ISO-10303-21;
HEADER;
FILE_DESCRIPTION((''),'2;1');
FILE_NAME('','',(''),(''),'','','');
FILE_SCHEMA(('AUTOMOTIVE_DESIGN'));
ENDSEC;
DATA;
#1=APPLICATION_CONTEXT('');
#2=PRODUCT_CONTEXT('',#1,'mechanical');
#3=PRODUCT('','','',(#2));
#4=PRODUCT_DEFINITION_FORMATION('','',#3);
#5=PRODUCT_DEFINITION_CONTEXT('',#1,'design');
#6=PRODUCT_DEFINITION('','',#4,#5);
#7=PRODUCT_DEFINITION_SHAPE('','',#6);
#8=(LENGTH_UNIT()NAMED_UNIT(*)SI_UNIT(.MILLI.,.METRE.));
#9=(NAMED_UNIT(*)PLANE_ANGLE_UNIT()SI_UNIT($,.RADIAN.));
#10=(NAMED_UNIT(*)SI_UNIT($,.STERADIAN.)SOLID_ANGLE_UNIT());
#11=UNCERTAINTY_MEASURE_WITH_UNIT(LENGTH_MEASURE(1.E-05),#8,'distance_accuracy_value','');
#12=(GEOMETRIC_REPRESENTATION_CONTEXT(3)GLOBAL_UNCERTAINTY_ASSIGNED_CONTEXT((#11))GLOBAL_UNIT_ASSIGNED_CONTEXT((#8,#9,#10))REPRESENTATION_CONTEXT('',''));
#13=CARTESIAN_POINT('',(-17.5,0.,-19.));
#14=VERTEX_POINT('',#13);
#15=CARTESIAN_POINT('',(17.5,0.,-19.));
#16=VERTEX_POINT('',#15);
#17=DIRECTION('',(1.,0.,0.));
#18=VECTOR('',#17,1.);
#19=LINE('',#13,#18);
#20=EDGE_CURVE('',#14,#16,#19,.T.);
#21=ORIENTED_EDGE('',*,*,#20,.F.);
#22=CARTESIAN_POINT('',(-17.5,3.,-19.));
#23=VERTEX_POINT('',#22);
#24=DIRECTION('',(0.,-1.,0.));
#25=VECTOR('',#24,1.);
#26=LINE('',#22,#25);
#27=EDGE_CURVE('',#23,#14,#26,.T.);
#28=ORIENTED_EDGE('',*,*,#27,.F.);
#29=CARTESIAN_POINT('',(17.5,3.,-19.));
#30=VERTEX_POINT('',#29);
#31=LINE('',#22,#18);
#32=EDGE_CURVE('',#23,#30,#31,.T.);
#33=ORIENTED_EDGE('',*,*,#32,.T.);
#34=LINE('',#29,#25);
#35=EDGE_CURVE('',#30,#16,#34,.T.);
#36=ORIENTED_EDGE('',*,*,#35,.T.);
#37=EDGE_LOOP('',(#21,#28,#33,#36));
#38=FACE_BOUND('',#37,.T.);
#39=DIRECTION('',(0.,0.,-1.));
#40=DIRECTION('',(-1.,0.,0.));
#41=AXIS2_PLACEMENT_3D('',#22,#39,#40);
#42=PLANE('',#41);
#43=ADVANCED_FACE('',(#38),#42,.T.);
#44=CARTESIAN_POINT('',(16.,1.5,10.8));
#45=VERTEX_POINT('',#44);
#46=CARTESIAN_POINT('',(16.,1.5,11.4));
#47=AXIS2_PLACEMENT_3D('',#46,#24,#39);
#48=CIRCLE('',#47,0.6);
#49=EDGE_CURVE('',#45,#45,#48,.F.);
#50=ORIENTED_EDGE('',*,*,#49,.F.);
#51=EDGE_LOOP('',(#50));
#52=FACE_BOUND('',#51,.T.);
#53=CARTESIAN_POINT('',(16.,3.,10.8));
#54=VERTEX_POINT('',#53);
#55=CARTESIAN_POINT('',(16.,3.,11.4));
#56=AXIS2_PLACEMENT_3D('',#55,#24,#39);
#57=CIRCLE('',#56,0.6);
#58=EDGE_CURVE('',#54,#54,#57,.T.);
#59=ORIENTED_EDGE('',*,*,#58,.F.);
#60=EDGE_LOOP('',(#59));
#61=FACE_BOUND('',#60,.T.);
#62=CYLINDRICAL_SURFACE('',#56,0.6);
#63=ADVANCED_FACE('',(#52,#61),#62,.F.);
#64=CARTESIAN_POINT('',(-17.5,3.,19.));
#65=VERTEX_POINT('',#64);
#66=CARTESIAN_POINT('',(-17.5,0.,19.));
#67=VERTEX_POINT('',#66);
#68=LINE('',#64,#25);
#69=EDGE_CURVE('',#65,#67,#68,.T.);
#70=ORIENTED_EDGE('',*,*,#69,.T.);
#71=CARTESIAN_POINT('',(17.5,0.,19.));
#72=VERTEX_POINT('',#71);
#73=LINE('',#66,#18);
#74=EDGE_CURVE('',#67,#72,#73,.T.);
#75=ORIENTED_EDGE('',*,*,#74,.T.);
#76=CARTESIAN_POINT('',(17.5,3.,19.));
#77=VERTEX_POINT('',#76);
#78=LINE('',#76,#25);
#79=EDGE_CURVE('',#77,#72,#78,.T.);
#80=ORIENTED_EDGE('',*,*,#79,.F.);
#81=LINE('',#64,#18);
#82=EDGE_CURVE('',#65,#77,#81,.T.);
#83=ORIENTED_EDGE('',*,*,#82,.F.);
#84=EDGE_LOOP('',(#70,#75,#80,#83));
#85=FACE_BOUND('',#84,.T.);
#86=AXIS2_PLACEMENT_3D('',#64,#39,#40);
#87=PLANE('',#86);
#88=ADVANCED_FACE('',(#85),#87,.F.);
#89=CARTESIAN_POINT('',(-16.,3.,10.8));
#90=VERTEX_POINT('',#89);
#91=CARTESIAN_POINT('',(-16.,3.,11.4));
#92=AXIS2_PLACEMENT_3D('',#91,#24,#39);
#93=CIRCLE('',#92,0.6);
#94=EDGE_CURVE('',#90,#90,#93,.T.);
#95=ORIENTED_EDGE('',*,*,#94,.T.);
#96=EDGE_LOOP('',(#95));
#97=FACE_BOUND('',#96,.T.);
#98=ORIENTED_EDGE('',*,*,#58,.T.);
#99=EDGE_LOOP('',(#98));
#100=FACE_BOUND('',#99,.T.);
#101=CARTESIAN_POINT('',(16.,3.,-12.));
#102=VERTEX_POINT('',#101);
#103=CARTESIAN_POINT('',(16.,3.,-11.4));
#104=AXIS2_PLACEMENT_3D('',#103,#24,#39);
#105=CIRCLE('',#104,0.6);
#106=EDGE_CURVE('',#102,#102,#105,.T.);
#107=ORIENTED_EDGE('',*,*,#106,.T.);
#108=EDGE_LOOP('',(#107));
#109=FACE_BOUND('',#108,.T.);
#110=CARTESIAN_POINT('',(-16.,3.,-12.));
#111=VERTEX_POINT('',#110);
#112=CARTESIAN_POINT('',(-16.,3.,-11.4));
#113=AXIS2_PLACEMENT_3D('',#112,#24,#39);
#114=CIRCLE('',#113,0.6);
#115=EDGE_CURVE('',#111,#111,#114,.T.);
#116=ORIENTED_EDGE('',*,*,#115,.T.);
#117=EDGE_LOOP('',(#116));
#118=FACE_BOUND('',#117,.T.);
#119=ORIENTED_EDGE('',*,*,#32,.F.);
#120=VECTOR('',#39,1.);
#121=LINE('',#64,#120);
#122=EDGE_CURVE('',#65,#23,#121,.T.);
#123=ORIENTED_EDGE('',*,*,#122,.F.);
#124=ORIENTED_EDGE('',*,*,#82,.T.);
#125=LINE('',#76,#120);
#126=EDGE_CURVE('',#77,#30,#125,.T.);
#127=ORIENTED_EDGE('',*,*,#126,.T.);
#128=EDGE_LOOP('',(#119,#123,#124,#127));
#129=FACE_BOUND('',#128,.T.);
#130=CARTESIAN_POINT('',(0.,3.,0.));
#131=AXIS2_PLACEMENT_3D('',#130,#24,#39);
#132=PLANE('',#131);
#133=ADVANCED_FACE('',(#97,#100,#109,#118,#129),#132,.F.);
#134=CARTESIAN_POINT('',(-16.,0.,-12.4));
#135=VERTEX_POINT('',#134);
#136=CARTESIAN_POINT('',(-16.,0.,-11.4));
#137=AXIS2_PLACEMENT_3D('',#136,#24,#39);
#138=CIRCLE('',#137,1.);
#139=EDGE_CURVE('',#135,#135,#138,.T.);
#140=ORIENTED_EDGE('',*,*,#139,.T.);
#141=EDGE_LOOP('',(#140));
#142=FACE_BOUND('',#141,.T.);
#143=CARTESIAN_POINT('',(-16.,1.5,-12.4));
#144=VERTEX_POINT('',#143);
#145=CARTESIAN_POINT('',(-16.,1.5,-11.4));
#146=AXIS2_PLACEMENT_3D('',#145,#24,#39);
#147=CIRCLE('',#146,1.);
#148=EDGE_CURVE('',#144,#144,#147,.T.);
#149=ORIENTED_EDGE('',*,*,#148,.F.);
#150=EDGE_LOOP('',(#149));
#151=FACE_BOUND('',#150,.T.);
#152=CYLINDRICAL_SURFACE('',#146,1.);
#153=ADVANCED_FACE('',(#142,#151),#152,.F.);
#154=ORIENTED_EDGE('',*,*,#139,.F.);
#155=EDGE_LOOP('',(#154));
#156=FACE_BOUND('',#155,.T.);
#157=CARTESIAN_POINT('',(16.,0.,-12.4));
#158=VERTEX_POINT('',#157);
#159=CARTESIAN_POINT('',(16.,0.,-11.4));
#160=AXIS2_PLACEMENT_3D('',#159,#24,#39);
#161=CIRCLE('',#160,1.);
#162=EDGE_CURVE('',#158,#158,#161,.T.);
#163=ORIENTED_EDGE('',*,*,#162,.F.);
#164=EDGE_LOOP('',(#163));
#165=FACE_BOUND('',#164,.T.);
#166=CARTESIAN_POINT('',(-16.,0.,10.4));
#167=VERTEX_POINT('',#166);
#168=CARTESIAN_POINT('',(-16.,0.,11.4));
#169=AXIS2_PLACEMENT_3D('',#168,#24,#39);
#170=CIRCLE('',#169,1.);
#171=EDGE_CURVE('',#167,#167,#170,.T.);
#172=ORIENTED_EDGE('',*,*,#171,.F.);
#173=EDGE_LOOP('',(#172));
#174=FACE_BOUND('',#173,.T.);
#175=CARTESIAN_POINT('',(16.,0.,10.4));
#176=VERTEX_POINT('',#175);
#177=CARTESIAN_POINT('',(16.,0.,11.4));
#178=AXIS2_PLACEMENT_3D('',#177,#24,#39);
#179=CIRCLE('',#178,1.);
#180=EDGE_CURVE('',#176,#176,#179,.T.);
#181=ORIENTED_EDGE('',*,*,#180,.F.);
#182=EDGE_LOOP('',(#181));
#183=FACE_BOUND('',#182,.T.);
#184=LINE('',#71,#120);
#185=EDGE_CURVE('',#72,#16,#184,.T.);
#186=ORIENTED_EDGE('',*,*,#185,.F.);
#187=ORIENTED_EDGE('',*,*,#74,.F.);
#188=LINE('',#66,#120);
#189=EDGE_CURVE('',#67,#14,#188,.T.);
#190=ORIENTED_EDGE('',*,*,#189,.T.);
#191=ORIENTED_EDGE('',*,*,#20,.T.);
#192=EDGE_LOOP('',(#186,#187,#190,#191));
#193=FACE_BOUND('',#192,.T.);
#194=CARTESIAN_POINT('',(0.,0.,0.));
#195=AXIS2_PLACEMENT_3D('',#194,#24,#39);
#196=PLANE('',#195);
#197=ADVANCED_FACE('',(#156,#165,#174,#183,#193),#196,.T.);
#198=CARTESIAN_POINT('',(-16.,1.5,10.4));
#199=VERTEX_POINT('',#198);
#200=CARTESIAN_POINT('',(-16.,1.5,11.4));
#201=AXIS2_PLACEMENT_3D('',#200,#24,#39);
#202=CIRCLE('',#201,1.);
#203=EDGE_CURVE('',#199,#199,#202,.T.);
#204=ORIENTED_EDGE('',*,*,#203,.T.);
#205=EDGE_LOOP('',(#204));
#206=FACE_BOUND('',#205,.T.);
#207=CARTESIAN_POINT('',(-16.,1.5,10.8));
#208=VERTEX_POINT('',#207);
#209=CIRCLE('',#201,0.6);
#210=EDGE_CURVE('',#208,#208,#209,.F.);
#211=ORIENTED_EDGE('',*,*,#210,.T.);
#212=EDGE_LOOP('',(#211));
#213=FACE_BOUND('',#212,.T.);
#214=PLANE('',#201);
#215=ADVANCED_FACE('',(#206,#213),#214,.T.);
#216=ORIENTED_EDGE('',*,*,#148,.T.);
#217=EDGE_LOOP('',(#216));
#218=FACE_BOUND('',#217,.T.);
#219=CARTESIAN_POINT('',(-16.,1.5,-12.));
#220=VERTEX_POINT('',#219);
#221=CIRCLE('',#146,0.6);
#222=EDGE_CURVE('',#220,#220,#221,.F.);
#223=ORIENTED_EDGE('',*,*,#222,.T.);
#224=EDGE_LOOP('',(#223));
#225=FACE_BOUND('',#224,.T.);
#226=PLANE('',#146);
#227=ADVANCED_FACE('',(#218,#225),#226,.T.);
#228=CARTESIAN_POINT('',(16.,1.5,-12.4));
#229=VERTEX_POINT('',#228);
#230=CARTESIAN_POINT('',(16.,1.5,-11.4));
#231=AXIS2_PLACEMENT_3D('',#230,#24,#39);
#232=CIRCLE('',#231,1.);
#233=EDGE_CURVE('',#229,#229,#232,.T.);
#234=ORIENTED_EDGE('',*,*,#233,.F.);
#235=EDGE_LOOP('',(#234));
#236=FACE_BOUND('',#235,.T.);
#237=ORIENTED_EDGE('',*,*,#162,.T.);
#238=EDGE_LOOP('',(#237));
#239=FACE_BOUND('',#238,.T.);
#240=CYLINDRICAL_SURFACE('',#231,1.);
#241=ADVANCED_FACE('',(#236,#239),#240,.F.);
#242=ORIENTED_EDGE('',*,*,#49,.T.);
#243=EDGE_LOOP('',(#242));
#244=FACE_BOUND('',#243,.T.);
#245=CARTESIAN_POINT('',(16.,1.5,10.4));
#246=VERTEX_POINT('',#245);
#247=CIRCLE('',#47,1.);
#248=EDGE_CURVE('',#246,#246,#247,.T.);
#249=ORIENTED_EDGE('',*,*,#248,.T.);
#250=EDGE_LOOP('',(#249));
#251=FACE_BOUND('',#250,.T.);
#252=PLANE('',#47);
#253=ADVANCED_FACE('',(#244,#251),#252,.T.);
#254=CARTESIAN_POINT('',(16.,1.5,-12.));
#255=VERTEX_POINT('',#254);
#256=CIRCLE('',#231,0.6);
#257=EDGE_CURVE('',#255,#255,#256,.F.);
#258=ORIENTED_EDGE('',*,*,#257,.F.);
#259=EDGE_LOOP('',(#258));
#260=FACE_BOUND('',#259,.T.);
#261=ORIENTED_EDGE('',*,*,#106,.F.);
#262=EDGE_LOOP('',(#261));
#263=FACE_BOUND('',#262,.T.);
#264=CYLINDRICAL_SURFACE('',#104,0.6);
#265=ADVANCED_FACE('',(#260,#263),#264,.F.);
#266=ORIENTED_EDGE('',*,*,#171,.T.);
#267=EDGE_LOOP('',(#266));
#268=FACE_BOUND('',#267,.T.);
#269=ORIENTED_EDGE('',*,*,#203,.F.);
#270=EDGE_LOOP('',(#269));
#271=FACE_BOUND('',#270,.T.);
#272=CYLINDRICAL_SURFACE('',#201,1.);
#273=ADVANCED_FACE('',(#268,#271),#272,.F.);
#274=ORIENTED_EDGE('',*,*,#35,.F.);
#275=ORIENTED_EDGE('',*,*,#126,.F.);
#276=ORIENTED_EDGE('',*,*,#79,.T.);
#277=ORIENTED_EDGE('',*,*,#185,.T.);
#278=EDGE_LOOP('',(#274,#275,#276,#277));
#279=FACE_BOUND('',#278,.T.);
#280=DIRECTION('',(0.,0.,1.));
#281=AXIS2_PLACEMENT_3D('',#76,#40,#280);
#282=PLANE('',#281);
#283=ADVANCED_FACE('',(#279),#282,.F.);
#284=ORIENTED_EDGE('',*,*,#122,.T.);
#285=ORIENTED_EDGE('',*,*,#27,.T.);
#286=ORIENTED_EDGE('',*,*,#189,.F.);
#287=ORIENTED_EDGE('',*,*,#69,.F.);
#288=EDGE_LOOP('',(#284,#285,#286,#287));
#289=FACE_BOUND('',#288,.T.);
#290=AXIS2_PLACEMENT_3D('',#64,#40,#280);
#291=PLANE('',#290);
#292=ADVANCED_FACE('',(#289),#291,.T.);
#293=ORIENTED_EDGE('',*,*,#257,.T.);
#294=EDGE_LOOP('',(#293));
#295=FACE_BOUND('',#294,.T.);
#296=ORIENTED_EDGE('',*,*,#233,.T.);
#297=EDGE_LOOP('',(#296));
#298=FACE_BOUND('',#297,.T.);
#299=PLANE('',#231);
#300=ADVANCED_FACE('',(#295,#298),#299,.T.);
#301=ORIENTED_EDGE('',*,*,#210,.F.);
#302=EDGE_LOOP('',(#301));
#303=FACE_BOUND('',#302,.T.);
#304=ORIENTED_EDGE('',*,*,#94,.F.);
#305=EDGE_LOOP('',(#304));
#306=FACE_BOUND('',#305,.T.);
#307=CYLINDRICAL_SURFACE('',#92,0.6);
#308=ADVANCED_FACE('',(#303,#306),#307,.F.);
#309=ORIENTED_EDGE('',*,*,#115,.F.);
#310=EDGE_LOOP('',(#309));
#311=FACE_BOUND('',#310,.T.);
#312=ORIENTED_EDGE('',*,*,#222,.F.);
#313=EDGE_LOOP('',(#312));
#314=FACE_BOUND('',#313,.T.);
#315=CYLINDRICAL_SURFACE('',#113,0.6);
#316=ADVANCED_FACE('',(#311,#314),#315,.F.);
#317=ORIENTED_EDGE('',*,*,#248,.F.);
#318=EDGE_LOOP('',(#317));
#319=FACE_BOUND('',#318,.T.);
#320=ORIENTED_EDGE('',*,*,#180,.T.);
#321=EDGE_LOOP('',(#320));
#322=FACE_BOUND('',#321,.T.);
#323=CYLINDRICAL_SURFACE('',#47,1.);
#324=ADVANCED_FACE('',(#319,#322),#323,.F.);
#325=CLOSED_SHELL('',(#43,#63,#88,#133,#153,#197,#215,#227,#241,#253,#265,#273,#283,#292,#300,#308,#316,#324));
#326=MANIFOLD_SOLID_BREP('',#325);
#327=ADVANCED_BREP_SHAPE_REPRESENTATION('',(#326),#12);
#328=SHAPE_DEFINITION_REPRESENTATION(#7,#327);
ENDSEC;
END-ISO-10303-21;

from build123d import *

# Parameters (mm, degrees)
SKETCH_1_W          = 35
SKETCH_1_H          = 38
EXTRUDE_1_DEPTH     = 3
SKETCH_2_R          = 0.6
CUT_EXTRUDE_1_DEPTH = 27.004807248
SKETCH_2_3_R        = 1
CUT_EXTRUDE_2_DEPTH = 1.5


with BuildPart() as part:
    # 草图1 → 凸台-拉伸1 (new body)
    with BuildSketch(Plane(origin=(0, 0, 0), x_dir=(1, 0, 0), z_dir=(0, 1, 0))):
        Rectangle(SKETCH_1_W, SKETCH_1_H)
    extrude(amount=EXTRUDE_1_DEPTH)

    # 草图2 → 切除-拉伸1 (cut, through all)
    with BuildSketch(Plane.XZ):
        with Locations((16, -11.4)):
            Circle(SKETCH_2_R)
        with Locations((16, 11.4)):
            Circle(SKETCH_2_R)
        with Locations((-16, 11.4)):
            Circle(SKETCH_2_R)
        with Locations((-16, -11.4)):
            Circle(SKETCH_2_R)
    extrude(amount=-CUT_EXTRUDE_1_DEPTH, mode=Mode.SUBTRACT)

    # 草图2<3> → 切除-拉伸2 (cut)
    with BuildSketch(Plane.XZ):
        with Locations((16, -11.4)):
            Circle(SKETCH_2_3_R)
        with Locations((16, 11.4)):
            Circle(SKETCH_2_3_R)
        with Locations((-16, 11.4)):
            Circle(SKETCH_2_3_R)
        with Locations((-16, -11.4)):
            Circle(SKETCH_2_3_R)
    extrude(amount=-CUT_EXTRUDE_2_DEPTH, mode=Mode.SUBTRACT)


solid = part.part
